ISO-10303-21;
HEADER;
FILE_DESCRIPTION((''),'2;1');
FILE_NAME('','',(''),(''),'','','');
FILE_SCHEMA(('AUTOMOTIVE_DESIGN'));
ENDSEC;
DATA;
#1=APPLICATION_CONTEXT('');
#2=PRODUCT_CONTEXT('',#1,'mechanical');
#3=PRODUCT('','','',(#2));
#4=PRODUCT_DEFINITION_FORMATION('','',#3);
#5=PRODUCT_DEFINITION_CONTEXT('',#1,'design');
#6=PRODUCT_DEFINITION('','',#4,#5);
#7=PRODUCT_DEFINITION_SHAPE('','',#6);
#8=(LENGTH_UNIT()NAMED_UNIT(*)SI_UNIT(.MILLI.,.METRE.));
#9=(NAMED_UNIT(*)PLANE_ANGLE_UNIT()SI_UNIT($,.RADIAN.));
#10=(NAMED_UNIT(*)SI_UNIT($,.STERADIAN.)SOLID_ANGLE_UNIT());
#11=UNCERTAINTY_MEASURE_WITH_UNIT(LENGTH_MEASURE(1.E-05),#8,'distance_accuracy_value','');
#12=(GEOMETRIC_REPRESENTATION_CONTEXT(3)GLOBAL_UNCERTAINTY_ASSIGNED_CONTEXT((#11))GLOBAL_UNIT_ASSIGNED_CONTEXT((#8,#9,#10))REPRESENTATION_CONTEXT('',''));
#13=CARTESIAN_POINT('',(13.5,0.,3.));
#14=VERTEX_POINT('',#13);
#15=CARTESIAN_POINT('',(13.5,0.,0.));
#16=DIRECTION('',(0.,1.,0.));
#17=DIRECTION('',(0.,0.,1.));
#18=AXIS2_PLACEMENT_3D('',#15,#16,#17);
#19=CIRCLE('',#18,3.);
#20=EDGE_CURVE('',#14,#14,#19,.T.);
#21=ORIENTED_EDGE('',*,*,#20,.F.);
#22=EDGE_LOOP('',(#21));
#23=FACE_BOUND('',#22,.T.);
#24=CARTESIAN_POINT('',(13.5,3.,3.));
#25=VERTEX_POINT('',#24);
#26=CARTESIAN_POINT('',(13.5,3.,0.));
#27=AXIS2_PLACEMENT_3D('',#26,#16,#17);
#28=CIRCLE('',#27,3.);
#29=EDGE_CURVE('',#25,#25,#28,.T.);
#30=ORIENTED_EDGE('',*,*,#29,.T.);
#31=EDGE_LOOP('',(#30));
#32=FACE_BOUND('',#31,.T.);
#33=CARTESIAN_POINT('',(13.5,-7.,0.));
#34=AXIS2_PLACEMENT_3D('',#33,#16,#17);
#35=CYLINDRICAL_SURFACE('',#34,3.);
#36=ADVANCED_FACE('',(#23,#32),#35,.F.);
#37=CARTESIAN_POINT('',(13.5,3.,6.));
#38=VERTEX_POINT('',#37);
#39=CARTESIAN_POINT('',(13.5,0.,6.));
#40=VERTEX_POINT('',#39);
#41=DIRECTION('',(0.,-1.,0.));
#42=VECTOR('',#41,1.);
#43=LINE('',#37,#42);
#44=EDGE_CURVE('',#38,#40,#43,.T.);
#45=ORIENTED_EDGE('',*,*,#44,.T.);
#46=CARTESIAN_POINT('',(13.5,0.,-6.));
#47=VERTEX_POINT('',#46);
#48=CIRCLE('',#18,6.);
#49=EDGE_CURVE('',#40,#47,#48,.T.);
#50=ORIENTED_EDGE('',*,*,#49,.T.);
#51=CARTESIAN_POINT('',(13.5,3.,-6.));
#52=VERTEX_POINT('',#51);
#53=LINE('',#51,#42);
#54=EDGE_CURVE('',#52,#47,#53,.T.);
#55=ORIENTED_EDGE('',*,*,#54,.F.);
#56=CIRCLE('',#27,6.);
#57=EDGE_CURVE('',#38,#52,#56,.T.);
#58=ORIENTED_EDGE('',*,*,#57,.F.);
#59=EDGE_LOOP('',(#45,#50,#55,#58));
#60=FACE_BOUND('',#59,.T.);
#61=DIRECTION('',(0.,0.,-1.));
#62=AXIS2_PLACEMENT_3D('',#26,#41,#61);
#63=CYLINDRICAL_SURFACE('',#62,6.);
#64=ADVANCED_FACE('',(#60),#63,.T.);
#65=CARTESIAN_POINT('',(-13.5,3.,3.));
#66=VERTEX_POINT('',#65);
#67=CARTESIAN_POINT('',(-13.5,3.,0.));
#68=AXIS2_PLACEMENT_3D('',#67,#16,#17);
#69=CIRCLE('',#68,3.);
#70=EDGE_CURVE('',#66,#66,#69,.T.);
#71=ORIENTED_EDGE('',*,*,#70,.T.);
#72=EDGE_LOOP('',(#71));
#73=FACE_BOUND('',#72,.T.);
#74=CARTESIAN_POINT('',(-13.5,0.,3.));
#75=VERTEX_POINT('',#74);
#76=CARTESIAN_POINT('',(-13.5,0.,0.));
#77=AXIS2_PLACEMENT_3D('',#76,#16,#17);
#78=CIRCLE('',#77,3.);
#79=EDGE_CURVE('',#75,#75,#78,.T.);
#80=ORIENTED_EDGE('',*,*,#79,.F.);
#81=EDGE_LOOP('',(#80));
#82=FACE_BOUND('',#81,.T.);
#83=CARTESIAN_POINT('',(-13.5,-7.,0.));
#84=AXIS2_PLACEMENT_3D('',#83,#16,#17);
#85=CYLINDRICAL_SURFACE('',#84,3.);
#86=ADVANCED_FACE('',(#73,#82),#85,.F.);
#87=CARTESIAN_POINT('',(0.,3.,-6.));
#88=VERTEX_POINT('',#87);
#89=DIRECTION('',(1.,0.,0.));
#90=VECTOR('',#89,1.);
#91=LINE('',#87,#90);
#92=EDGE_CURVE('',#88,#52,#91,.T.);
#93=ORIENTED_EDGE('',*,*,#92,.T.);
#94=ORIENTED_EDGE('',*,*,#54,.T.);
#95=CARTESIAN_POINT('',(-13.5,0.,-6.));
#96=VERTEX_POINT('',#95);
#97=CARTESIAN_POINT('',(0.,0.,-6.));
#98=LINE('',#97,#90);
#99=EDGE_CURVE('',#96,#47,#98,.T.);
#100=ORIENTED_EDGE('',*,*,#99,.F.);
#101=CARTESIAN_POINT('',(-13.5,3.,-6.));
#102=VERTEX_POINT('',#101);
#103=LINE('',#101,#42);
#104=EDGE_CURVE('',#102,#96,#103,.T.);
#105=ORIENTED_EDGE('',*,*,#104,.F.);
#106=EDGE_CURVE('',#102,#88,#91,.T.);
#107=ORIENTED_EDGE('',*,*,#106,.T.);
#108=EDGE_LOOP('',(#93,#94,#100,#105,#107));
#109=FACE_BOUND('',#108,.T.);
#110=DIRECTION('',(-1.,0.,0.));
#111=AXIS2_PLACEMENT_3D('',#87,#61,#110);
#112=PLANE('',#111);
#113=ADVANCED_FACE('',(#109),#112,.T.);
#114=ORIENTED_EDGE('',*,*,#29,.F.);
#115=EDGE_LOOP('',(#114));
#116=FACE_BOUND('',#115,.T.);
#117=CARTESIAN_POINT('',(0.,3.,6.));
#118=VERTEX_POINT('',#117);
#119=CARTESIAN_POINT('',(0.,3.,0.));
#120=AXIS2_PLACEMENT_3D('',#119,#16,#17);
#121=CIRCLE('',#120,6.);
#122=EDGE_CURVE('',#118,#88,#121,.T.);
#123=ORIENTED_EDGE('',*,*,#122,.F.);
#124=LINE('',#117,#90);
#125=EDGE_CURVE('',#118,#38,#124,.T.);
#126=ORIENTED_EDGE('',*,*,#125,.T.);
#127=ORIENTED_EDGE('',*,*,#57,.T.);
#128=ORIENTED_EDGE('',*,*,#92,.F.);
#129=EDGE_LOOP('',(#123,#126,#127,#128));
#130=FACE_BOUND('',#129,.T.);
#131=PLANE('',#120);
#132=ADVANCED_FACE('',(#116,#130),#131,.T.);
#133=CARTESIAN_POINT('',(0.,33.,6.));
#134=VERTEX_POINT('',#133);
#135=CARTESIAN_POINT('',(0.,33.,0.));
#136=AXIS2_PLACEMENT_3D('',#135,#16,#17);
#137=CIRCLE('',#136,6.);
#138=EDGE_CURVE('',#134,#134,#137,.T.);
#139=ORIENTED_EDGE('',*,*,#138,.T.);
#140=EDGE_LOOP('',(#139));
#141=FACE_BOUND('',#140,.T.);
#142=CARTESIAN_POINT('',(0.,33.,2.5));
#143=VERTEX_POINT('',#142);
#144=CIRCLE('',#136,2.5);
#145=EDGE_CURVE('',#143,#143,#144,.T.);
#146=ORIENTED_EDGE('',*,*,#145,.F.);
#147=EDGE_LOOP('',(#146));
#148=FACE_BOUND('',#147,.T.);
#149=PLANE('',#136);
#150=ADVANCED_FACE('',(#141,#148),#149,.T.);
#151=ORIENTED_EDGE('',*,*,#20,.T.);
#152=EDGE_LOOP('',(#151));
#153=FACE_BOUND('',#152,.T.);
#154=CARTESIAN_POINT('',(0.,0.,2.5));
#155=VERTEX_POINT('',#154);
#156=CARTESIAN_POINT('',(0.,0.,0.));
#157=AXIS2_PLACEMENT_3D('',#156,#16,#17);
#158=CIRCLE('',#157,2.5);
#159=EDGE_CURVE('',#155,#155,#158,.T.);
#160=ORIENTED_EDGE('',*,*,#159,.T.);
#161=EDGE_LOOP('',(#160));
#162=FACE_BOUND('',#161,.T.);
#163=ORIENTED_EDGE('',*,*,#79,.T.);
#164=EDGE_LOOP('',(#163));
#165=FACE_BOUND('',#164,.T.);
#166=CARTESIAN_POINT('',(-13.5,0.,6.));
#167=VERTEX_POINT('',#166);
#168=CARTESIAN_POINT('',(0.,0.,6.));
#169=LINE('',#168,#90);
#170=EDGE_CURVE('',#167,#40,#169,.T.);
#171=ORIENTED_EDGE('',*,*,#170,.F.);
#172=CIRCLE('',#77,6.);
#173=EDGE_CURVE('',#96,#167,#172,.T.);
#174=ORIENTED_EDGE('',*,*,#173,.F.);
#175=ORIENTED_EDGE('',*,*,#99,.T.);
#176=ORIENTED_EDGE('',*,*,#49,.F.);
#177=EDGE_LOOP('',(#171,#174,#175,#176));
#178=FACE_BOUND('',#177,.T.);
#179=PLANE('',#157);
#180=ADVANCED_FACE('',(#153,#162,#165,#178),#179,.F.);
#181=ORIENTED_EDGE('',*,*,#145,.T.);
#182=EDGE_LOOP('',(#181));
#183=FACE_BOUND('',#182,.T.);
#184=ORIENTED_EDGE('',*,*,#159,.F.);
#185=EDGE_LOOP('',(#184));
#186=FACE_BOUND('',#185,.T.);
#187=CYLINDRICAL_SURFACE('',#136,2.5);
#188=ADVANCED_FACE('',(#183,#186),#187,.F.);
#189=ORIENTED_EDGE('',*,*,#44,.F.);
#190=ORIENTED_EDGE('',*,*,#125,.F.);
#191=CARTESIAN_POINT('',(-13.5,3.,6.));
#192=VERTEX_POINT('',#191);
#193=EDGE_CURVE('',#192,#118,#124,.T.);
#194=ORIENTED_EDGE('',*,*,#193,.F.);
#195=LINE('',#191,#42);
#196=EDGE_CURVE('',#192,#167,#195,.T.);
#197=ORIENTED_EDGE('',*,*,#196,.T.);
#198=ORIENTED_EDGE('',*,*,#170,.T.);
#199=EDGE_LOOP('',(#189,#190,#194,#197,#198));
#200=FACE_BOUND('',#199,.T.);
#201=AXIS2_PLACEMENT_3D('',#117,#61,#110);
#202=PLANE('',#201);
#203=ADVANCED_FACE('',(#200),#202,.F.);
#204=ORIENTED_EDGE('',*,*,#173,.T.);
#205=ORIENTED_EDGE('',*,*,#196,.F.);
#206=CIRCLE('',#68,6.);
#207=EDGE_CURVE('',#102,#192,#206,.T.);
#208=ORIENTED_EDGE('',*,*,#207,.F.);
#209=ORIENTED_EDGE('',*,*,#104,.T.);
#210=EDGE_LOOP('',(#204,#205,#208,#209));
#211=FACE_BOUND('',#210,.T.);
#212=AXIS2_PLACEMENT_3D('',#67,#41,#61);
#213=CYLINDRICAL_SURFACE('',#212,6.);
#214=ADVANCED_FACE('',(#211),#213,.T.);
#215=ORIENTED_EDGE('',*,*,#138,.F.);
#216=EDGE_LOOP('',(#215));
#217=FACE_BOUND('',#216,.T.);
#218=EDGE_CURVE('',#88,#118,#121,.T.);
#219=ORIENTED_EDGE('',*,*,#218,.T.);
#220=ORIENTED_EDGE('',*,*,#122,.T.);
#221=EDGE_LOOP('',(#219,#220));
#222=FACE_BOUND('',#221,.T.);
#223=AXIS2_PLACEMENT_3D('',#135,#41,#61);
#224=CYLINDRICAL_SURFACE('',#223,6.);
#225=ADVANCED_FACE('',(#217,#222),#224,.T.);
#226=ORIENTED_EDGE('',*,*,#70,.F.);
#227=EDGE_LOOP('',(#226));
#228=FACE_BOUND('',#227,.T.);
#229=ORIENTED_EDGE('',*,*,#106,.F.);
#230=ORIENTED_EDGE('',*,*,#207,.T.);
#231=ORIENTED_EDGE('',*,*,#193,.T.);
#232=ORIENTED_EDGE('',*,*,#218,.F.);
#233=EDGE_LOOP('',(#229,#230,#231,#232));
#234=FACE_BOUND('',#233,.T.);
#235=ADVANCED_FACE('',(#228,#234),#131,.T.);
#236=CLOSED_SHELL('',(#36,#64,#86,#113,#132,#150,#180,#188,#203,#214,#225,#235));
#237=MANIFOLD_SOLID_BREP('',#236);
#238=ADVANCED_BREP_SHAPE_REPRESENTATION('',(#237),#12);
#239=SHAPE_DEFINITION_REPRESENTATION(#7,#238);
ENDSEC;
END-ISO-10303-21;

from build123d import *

# Parameters (mm, degrees)
SKETCH_1_R          = 6
EXTRUDE_1_DEPTH     = 3
SKETCH_2_R          = 6
EXTRUDE_2_DEPTH     = 30
HOLE_WIZARD_M6_1_D  = 5
SKETCH_6_R          = 3
CUT_EXTRUDE_1_DEPTH = 10


with BuildPart() as part:
    # 草图1 → 凸台-拉伸1 (new body)
    with BuildSketch(Plane(origin=(0, 0, 0), x_dir=(1, 0, 0), z_dir=(0, 1, 0))):
        with Locations((-13.5, 0)):
            Circle(SKETCH_1_R)
        with BuildLine():
            Line((13.5, 6), (-13.5, 6))
            ThreePointArc((-13.5, 6), (-9.257359313, 4.242640687), (-7.5, 0))
            ThreePointArc((-7.5, 0), (-9.257359313, -4.242640687), (-13.5, -6))
            Line((-13.5, -6), (13.5, -6))
            ThreePointArc((13.5, -6), (7.5, 0), (13.5, 6))
        make_face()
        with Locations((13.5, 0)):
            Circle(SKETCH_1_R)
    extrude(amount=EXTRUDE_1_DEPTH)

    # 草图2 → 凸台-拉伸2 (add)
    with BuildSketch(Plane(origin=(0, 3, 0), x_dir=(1, 0, 0), z_dir=(0, 1, 0))):
        Circle(SKETCH_2_R)
    extrude(amount=EXTRUDE_2_DEPTH)

    # M6 螺纹孔1 (through all)
    with Locations(Plane(origin=(0, 33, 0), x_dir=(1, 0, 0), z_dir=(0, 1, 0))):
        with Locations((0, 0)):
            Hole(HOLE_WIZARD_M6_1_D / 2)

    # 草图6 → 切除-拉伸1 (cut)
    with BuildSketch(Plane(origin=(0, 3, 0), x_dir=(1, 0, 0), z_dir=(0, 1, 0))):
        with Locations((-13.5, 0)):
            Circle(SKETCH_6_R)
        with Locations((13.5, 0)):
            Circle(SKETCH_6_R)
    extrude(amount=-CUT_EXTRUDE_1_DEPTH, mode=Mode.SUBTRACT)


solid = part.part
